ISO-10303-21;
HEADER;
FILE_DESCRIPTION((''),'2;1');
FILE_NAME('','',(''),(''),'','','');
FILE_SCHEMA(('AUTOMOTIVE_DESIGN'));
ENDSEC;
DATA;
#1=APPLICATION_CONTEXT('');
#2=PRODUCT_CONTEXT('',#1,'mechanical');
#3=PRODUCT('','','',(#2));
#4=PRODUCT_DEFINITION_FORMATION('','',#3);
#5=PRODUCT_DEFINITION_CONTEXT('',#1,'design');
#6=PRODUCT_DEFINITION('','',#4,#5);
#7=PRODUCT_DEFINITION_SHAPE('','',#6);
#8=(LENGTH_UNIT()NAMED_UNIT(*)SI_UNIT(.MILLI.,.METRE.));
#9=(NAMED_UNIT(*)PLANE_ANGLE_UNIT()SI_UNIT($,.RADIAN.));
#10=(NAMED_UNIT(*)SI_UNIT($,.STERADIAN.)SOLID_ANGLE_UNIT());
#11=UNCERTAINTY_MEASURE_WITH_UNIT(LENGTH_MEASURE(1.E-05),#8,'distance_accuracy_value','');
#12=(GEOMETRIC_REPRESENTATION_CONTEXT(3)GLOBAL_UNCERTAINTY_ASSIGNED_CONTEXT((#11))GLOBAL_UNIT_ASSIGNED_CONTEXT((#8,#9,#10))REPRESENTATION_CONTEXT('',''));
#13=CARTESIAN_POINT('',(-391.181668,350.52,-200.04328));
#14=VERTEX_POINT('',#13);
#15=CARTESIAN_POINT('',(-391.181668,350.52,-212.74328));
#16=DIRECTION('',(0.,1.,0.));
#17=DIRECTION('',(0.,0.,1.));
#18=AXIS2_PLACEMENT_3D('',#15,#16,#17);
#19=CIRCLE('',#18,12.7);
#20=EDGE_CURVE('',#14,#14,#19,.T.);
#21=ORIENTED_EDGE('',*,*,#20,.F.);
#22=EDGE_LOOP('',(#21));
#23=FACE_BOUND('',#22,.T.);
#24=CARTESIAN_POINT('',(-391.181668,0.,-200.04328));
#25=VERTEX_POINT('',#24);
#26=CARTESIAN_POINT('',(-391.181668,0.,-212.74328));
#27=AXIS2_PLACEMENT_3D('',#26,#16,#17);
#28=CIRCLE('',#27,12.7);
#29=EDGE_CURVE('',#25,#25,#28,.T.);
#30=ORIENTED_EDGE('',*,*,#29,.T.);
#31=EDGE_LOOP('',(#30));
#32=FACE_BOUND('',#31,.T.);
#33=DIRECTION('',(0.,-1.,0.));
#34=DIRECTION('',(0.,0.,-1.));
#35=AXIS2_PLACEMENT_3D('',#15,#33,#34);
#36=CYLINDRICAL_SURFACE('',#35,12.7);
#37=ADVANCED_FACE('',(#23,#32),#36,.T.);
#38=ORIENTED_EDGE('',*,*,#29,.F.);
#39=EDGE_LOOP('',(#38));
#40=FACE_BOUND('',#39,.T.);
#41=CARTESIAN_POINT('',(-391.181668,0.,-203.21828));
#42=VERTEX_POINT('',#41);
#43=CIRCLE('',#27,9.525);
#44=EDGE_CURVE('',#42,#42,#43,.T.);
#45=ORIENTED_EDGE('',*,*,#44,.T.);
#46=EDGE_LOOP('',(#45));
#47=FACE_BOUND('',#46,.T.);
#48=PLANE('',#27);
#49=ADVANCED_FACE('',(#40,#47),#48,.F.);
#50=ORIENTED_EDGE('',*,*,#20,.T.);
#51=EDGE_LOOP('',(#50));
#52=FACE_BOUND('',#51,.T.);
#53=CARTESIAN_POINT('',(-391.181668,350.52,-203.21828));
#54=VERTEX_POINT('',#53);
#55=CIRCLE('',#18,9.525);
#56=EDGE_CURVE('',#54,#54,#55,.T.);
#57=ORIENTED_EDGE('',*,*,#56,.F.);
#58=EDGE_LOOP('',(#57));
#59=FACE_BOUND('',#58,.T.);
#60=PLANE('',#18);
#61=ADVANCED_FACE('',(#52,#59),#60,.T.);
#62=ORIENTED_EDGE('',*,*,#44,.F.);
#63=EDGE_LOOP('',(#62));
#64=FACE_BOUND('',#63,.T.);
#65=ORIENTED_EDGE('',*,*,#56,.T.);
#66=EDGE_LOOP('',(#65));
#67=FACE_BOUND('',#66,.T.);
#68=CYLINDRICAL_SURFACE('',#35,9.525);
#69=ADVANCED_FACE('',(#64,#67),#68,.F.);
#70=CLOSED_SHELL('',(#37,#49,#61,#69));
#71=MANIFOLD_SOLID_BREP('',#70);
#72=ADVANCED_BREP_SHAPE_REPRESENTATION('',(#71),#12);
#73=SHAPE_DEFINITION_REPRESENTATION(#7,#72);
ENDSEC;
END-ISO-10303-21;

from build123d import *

# Parameters (mm, degrees)
SKETCH1_R           = 12.7
SKETCH1_R_2         = 9.525
BOSS_EXTRUDE2_DEPTH = 350.52


with BuildPart() as part:
    # Sketch1 → Boss-Extrude2 (new body)
    with BuildSketch(Plane(origin=(0, 0, 0), x_dir=(1, 0, 0), z_dir=(0, 1, 0))):
        with Locations((-391.181668083, 212.743279788)):
            Circle(SKETCH1_R)
        with Locations((-391.181668083, 212.743279788)):
            Circle(SKETCH1_R_2, mode=Mode.SUBTRACT)
    extrude(amount=BOSS_EXTRUDE2_DEPTH)


solid = part.part
